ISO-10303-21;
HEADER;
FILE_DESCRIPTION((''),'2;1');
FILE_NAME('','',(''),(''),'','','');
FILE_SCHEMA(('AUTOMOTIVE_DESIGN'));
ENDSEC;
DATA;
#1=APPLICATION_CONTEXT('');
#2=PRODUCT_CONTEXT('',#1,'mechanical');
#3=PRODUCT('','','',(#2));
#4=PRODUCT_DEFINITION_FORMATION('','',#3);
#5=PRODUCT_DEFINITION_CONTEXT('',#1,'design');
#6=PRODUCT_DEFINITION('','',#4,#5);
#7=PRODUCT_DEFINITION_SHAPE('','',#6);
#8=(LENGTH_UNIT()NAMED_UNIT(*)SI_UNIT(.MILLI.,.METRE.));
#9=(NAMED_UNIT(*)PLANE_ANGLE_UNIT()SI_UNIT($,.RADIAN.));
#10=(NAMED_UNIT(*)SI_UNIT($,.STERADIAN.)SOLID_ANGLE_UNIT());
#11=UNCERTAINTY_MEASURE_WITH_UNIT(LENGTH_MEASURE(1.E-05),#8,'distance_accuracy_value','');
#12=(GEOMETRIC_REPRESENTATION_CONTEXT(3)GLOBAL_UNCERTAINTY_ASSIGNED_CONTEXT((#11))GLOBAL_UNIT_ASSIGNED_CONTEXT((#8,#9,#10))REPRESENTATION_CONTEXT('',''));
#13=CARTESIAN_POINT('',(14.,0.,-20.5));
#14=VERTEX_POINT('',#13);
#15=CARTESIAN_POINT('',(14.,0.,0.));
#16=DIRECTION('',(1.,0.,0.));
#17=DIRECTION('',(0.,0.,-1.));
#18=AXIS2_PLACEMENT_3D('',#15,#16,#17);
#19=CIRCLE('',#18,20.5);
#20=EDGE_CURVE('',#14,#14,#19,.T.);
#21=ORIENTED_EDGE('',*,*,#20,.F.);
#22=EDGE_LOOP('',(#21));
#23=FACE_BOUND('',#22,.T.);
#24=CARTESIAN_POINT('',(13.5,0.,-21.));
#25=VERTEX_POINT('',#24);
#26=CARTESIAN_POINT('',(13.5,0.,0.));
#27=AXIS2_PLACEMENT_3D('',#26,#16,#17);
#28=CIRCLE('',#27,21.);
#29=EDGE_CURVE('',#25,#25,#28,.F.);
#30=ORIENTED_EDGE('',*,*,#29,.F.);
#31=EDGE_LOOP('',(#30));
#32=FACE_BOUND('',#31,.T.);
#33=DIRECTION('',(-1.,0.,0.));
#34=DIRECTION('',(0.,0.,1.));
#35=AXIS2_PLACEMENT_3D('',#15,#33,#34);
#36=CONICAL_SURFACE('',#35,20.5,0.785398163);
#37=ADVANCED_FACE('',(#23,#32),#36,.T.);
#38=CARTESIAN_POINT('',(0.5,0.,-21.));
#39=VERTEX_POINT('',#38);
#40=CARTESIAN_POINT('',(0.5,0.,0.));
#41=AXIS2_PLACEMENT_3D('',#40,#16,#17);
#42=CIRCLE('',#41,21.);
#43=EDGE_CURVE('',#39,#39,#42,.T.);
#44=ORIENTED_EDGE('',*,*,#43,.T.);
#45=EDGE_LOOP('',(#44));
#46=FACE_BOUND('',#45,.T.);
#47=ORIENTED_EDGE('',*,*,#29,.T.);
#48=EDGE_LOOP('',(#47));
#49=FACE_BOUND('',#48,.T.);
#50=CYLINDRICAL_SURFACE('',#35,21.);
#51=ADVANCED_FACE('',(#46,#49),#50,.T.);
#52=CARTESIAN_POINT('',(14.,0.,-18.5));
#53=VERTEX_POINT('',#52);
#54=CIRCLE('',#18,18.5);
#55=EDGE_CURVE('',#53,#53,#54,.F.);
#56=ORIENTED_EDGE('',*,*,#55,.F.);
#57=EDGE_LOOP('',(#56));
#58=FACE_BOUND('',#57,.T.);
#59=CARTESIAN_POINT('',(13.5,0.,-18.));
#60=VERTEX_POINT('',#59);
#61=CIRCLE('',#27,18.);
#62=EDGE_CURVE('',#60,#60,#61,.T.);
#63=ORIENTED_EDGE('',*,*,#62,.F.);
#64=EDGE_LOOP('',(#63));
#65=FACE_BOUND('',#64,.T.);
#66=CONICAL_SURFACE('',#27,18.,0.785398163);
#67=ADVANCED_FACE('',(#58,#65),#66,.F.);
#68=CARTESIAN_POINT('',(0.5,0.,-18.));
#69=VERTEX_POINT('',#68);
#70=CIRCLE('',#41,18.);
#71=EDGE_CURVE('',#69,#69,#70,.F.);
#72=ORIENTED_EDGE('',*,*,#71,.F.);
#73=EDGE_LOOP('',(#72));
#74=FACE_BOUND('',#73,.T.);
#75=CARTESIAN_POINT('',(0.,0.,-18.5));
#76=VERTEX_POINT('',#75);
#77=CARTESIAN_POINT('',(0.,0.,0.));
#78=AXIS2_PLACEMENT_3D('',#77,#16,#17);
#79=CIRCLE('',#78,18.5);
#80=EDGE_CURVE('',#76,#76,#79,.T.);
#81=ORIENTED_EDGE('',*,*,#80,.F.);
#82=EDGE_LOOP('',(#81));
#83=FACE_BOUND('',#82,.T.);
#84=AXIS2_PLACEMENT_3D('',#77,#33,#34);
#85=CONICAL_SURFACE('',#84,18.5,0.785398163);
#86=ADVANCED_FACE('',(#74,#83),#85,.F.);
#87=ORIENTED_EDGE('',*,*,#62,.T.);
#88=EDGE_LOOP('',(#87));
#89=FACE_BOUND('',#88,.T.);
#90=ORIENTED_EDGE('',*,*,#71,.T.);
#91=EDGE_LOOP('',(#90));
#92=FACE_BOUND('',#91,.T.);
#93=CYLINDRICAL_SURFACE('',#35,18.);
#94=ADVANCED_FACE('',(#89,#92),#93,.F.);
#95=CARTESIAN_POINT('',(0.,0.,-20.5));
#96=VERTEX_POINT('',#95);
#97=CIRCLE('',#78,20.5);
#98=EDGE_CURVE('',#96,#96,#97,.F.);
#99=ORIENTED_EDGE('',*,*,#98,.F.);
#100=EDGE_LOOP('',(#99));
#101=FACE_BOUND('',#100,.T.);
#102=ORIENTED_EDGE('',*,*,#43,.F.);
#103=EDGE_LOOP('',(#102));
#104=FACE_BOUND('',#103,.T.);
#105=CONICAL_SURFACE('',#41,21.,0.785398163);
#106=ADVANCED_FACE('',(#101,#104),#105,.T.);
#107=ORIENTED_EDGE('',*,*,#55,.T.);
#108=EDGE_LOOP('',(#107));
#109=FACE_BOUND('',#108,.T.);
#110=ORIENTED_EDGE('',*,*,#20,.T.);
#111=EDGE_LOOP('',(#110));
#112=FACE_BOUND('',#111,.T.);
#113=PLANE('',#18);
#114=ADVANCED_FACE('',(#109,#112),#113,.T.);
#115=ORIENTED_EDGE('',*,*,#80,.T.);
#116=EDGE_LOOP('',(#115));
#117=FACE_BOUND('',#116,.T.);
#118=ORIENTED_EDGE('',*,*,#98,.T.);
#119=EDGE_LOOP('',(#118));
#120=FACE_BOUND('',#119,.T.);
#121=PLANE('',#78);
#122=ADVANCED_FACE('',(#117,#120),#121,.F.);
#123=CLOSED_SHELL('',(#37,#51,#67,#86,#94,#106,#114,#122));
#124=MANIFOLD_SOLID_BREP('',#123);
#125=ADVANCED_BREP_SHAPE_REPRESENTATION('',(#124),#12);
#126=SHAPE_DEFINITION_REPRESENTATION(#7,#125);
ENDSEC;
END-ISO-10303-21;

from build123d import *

# Parameters (mm, degrees)
SKETCH_1_R      = 21
SKETCH_1_R_2    = 18
EXTRUDE_1_DEPTH = 14
CHAMFER_1_SIZE  = 0.5


with BuildPart() as part:
    # 草图1 → 凸台-拉伸1 (new body)
    with BuildSketch(Plane(origin=(0, 0, 0), x_dir=(0, 0, -1), z_dir=(1, 0, 0))):
        Circle(SKETCH_1_R)
        Circle(SKETCH_1_R_2, mode=Mode.SUBTRACT)
    extrude(amount=EXTRUDE_1_DEPTH)

    # 倒角1
    chamfer_1_edges = [part.edges().sort_by_distance(p)[0] for p in [
        (0, 0, 21),
        (14, 0, 21),
        (0, 0, 18),
        (14, 0, 18),
    ]]
    chamfer(chamfer_1_edges, length=CHAMFER_1_SIZE)


solid = part.part
